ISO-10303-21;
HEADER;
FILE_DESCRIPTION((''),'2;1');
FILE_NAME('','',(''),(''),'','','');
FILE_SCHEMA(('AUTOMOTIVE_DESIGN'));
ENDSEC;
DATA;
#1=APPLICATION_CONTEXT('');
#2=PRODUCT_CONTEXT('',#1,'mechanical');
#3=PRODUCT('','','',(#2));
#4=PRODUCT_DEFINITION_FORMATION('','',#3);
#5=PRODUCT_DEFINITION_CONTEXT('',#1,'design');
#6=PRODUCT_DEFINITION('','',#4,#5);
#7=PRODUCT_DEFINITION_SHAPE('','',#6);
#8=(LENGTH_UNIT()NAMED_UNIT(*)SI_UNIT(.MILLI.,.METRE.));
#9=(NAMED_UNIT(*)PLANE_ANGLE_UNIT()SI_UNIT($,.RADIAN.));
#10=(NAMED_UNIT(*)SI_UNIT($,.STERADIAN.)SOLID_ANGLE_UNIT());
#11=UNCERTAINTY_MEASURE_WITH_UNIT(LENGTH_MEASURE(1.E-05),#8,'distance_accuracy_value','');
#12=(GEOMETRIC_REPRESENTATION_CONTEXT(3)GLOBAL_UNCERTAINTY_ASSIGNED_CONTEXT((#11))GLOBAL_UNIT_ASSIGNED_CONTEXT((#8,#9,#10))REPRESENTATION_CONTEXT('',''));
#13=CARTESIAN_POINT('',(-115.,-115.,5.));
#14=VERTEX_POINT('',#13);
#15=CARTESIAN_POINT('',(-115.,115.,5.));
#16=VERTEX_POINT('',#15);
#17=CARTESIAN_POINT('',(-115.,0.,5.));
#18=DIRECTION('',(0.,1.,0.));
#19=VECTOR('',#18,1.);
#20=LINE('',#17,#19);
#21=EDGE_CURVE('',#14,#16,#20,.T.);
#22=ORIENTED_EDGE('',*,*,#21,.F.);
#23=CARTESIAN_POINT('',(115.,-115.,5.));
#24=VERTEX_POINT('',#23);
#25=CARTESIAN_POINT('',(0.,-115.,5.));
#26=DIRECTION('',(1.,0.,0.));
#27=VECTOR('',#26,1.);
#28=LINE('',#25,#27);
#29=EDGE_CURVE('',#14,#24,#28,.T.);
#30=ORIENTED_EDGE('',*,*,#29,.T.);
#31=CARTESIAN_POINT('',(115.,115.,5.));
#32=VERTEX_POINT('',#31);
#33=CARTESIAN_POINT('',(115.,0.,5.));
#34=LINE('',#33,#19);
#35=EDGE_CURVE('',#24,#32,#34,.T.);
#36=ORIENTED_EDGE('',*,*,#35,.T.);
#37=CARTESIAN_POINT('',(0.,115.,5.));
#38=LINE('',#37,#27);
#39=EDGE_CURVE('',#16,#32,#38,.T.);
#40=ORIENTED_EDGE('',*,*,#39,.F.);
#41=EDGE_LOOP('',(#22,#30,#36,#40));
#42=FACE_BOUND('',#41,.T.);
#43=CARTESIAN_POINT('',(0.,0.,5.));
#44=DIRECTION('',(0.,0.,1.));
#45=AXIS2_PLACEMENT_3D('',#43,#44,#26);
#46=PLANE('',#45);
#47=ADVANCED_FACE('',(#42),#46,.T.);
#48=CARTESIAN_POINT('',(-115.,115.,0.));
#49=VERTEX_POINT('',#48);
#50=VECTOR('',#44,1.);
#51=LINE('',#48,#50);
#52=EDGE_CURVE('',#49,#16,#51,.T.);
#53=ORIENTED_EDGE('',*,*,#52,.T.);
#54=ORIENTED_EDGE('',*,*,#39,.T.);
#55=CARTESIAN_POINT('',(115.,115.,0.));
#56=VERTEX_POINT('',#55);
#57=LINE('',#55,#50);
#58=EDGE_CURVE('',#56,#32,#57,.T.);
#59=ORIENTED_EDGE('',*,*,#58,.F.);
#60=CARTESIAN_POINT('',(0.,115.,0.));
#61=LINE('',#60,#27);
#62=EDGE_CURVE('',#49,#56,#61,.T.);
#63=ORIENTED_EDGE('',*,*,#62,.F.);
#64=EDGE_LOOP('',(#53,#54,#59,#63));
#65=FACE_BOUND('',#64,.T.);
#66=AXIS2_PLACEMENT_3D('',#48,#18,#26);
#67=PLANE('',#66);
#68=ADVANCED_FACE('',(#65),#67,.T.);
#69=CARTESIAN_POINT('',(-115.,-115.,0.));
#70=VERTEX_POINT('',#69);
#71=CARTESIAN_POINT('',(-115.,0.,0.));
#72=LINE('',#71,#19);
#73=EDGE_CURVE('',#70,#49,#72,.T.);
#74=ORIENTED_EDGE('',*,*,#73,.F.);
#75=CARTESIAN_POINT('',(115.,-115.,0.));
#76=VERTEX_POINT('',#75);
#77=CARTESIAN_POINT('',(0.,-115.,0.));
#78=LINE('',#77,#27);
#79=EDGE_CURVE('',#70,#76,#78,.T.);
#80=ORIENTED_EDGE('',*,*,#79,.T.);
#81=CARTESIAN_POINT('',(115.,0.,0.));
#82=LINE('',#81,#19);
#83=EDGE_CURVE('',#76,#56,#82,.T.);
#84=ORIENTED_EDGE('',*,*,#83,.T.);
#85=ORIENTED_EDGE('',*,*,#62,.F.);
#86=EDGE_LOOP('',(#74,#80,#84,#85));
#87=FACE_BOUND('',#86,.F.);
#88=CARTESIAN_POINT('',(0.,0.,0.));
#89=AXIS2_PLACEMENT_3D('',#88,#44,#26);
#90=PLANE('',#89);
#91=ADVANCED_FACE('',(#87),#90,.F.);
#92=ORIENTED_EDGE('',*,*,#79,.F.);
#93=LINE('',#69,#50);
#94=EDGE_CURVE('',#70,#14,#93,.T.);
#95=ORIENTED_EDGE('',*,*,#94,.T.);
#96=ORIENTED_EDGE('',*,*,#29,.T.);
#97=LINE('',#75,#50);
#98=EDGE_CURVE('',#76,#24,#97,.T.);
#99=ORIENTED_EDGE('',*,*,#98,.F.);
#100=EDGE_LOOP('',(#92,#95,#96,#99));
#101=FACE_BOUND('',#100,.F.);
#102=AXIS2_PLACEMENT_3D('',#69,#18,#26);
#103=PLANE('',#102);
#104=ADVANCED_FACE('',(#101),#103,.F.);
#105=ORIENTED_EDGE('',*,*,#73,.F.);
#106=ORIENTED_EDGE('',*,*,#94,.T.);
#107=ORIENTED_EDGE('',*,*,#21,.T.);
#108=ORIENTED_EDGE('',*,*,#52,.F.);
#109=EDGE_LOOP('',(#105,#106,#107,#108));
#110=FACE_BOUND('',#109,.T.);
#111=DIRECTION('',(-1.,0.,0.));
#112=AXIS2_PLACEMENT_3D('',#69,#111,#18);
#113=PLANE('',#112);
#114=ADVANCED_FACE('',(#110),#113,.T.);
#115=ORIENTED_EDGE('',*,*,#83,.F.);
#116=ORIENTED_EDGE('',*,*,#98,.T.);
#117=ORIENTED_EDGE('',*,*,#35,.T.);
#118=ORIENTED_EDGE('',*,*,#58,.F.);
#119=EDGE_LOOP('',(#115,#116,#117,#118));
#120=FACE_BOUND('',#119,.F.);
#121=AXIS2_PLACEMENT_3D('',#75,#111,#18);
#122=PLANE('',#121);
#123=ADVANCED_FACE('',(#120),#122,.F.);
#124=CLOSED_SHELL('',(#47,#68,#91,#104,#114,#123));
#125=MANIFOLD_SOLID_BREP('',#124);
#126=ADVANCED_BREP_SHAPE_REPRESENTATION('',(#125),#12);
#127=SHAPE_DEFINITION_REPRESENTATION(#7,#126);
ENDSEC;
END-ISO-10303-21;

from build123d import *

# Parameters (mm, degrees)
SKETCH_W  = 230
SKETCH_H  = 230
PAD_DEPTH = 5


with BuildPart() as part:
    # Sketch → Pad (new body)
    with BuildSketch(Plane.XY):
        Rectangle(SKETCH_W, SKETCH_H)
    extrude(amount=PAD_DEPTH)


solid = part.part
